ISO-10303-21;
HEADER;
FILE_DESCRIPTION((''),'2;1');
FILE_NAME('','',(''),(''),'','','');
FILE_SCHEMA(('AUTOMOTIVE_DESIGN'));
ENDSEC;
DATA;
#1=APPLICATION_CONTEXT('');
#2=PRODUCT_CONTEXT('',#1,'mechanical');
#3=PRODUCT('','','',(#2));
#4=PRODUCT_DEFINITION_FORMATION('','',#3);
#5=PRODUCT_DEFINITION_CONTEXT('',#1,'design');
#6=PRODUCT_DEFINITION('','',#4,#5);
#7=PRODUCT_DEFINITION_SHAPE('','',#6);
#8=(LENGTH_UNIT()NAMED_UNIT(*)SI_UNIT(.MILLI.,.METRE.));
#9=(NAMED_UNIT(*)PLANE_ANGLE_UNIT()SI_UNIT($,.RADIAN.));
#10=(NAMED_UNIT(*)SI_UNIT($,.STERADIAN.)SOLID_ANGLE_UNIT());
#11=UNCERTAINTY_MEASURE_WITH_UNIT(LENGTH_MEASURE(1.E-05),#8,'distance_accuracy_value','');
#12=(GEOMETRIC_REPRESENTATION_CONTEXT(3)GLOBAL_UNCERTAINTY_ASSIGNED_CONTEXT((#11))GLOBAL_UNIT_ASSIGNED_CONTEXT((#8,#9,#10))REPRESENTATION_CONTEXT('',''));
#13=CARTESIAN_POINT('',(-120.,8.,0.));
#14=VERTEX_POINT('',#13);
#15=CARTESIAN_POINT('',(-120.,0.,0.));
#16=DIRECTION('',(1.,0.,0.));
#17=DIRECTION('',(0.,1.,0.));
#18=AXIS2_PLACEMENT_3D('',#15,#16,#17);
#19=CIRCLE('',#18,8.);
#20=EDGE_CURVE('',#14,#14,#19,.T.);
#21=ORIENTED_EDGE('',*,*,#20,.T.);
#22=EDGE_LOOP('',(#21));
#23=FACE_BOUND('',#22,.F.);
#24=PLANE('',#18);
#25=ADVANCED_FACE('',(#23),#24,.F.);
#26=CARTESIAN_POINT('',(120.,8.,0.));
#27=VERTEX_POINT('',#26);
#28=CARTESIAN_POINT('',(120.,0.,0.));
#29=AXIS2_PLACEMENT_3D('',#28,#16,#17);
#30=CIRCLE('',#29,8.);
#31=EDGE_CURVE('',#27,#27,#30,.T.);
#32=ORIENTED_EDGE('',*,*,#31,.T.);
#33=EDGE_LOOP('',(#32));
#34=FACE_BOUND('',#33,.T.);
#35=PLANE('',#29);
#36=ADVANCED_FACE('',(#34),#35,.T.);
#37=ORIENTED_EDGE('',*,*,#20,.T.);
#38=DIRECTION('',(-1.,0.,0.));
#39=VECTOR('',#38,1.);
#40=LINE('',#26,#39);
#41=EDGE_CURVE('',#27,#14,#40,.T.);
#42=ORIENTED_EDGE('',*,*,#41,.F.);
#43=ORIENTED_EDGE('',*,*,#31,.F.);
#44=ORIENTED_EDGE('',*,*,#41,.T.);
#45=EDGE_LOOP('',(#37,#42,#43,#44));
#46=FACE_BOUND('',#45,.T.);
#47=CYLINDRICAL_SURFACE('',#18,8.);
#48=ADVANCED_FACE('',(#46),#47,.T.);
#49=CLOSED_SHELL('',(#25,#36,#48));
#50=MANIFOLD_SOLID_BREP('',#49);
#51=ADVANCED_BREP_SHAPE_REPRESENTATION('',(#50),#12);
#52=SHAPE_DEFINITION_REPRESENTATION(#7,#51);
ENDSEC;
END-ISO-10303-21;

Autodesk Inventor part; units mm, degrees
ref_plane "YZ Plane" through (0, 0, 0) normal (1, 0, 0) x (0, 1, 0)
ref_plane "XZ Plane" through (0, 0, 0) normal (0, 1, 0) x (-1, 0, 0)
sketch "Эскиз1" plane through (0, 0, 0) normal (0, 0, 1) x (1, 0, 0)
  line L0 (120, 8) -> (120, 0)
  line L1 (-120, 0) -> (120, 0)
  line L2 (-168, 0) -> (168, 0) projected
  line L3 (0, 9.6) -> (0, -1.6) projected
  line L4 (-120, 8) -> (-120, 0)
  line L5 (0, 8) -> (0, 0) construction
  line L6 (-168, 0) -> (168, 0) projected
  line L7 (-120, 8) -> (120, 8)
  dimension "d13" = 16
  dimension "d87" = 240
  dimension "d88" = 120
revolve "Базовый элемент" add sketch "Эскиз1" angle 360 about axis through (-120, 0, 0) along (1, 0, 0)
thread "Резьба1" size "M16x1.5" class "6g" standard "ISO Metric profile" length 240
ref_plane "Work Plane1" through (2.75, 0, 0) normal (0, -1, 0) x (1, 0, 0)
equation "\"d13\" = NND"
equation "\"d87\" = NLG"
equation "\"d88\" = 0.5 * NLG"
equation "\"d1\" = GEL"
equation "\"NLG\" = 240"
equation "\"GEL\" = NLG"
equation "\"GAL\" = 0.61345 * PTC"
equation "\"SPD\" = 13.93"
equation "\"d0\" = NND"
equation "\"GUL\" = 0.61345 * PTC"
equation "\"NND\" = 16"
equation "\"GUL1\" = GUL"
equation "\"GAL1\" = GAL"
equation "\"d89\" = -GEL + GUL1"
equation "\"d90\" = -GUL - GEL"
equation "\"PTC\" = 1.5"
equation "\"THREADDIA\" = 16"
equation "\"TOA\" = 30deg"
equation "\"GD1\" = THREADDIA - 1.2269 * PTC"
properties part number "DIN 976-1 - M16 x 1,5 x 240 - A" material "Сталь, мягкая"
